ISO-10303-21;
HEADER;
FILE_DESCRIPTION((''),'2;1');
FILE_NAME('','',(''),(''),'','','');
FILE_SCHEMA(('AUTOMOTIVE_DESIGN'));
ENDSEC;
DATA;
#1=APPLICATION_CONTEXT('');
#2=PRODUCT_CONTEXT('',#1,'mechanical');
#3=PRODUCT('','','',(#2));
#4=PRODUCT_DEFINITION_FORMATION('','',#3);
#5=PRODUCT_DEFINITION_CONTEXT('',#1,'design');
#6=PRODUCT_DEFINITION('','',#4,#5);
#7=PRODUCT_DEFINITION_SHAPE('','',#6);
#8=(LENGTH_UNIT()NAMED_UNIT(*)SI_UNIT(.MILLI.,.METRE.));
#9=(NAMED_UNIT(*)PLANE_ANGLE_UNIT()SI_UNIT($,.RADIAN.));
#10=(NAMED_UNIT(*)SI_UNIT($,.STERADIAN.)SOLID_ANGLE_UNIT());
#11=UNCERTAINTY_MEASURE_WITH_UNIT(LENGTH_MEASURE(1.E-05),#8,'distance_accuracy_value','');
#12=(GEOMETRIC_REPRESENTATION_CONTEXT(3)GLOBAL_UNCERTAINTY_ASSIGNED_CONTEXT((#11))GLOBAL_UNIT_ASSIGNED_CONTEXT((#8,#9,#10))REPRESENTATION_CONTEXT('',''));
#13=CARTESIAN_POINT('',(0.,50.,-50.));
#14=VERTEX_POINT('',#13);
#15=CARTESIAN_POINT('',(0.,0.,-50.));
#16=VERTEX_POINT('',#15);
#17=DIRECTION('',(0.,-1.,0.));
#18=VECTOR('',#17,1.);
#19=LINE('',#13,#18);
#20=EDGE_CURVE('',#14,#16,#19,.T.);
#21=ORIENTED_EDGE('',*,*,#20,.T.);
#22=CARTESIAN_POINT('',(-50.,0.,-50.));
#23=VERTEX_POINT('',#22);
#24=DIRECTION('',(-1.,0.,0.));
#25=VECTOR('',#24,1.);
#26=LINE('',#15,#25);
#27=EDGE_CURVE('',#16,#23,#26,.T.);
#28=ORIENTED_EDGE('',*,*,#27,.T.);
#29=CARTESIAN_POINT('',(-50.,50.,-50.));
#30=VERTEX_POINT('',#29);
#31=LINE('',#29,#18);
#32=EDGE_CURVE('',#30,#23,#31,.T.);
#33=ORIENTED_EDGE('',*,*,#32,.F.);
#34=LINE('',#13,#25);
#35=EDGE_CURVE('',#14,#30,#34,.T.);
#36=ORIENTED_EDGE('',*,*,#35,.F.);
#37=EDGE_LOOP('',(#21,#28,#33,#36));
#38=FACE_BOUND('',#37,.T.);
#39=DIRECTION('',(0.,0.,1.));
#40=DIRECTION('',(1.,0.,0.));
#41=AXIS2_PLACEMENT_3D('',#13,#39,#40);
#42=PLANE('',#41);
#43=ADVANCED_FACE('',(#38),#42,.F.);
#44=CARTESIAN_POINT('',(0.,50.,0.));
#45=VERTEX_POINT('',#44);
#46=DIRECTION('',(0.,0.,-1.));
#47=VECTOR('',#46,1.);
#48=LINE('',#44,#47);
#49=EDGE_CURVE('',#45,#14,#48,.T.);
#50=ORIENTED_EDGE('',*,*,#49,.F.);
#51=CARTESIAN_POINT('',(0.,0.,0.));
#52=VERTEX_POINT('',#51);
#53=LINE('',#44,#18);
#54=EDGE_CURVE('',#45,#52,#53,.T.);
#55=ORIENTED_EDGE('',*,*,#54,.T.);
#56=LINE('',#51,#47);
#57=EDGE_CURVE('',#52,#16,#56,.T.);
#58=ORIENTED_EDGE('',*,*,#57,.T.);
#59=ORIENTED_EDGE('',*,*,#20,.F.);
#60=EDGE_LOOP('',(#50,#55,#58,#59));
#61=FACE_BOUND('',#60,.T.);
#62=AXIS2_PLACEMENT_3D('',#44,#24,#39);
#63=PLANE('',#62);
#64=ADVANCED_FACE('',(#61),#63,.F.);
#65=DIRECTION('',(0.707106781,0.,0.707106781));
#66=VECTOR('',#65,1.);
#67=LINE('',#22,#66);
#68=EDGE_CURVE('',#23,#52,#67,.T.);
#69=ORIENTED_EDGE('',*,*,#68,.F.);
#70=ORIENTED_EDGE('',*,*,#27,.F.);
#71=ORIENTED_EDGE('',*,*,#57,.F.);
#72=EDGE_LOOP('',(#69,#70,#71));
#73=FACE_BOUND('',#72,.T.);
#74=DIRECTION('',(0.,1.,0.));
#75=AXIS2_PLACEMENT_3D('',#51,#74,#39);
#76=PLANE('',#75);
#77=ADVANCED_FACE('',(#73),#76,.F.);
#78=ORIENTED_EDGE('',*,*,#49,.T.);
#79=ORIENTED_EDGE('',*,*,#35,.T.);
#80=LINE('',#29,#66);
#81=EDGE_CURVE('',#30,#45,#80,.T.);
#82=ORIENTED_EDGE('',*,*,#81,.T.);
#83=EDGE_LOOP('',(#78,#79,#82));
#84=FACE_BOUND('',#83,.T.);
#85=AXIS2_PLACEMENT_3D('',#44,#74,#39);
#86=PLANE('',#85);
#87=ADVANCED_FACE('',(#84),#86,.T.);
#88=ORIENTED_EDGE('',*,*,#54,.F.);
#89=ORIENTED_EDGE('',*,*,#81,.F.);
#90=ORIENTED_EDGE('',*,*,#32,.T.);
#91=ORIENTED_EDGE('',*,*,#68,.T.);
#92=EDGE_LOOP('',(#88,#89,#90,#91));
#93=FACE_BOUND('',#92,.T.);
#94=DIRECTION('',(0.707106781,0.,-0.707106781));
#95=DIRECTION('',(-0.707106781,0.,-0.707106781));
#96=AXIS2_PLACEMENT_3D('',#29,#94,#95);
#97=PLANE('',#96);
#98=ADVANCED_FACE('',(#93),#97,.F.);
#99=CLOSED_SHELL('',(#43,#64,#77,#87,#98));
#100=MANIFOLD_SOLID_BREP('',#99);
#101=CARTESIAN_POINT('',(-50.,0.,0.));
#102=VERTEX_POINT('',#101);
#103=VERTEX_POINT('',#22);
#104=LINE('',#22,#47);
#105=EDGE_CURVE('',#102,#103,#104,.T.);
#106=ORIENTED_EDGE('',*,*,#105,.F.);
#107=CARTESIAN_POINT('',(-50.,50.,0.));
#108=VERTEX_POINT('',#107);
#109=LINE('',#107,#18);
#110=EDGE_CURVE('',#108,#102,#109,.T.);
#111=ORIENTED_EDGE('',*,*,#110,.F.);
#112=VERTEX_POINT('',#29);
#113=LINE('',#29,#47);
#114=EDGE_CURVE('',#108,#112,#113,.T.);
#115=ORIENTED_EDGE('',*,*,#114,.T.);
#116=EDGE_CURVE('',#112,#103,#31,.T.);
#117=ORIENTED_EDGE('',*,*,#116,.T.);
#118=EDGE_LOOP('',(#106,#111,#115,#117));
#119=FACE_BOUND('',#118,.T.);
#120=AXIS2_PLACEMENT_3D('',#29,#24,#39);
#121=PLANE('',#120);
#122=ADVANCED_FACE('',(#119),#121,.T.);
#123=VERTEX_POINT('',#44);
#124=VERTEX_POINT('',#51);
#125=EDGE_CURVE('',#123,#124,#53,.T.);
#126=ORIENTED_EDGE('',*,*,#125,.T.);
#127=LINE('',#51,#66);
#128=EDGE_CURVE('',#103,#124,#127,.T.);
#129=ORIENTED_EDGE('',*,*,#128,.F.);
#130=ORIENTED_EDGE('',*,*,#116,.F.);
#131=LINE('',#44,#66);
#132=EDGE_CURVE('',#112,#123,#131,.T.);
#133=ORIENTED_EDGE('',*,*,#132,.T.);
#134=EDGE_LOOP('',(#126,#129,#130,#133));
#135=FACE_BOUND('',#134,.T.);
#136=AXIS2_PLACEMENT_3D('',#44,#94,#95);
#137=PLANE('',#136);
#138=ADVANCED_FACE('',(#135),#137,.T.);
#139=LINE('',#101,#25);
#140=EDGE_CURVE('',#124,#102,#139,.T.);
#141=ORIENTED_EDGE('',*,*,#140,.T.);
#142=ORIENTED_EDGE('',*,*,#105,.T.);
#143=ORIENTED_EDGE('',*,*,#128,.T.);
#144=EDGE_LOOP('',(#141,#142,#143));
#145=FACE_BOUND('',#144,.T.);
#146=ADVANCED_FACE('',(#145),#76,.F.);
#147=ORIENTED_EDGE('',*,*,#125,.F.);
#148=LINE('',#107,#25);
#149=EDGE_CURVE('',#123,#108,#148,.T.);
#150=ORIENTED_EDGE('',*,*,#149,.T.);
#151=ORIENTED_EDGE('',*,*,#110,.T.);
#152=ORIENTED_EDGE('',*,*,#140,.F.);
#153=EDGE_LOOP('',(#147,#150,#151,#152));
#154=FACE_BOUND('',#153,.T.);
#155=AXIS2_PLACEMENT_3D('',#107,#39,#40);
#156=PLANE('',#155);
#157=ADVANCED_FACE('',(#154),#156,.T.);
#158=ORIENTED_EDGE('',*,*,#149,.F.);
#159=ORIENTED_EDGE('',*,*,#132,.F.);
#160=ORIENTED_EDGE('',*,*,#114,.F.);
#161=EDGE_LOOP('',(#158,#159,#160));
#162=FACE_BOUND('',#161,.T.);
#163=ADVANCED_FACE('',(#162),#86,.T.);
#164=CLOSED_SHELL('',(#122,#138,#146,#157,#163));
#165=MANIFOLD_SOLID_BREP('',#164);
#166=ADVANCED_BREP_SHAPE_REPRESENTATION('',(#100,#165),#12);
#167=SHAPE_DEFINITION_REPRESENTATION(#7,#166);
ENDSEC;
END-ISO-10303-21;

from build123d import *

# Parameters (mm, degrees)
EXTRUDE_1_DEPTH = 50
EXTRUDE_2_DEPTH = 50


with BuildPart() as part:
    # 草图1 → 凸台-拉伸1 (new body)
    with BuildSketch(Plane(origin=(0, 0, 0), x_dir=(1, 0, 0), z_dir=(0, 1, 0))):
        Polygon((0, 0), (0, 50), (-50, 50), align=None)
    extrude(amount=EXTRUDE_1_DEPTH)


with BuildPart() as body_2:
    # 草图2 → 凸台-拉伸2 (new body)
    with BuildSketch(Plane.XZ):
        Polygon((-50, -50), (-50, 0), (0, 0), align=None)
    extrude(amount=-EXTRUDE_2_DEPTH)


solid = Compound([part.part, body_2.part])
